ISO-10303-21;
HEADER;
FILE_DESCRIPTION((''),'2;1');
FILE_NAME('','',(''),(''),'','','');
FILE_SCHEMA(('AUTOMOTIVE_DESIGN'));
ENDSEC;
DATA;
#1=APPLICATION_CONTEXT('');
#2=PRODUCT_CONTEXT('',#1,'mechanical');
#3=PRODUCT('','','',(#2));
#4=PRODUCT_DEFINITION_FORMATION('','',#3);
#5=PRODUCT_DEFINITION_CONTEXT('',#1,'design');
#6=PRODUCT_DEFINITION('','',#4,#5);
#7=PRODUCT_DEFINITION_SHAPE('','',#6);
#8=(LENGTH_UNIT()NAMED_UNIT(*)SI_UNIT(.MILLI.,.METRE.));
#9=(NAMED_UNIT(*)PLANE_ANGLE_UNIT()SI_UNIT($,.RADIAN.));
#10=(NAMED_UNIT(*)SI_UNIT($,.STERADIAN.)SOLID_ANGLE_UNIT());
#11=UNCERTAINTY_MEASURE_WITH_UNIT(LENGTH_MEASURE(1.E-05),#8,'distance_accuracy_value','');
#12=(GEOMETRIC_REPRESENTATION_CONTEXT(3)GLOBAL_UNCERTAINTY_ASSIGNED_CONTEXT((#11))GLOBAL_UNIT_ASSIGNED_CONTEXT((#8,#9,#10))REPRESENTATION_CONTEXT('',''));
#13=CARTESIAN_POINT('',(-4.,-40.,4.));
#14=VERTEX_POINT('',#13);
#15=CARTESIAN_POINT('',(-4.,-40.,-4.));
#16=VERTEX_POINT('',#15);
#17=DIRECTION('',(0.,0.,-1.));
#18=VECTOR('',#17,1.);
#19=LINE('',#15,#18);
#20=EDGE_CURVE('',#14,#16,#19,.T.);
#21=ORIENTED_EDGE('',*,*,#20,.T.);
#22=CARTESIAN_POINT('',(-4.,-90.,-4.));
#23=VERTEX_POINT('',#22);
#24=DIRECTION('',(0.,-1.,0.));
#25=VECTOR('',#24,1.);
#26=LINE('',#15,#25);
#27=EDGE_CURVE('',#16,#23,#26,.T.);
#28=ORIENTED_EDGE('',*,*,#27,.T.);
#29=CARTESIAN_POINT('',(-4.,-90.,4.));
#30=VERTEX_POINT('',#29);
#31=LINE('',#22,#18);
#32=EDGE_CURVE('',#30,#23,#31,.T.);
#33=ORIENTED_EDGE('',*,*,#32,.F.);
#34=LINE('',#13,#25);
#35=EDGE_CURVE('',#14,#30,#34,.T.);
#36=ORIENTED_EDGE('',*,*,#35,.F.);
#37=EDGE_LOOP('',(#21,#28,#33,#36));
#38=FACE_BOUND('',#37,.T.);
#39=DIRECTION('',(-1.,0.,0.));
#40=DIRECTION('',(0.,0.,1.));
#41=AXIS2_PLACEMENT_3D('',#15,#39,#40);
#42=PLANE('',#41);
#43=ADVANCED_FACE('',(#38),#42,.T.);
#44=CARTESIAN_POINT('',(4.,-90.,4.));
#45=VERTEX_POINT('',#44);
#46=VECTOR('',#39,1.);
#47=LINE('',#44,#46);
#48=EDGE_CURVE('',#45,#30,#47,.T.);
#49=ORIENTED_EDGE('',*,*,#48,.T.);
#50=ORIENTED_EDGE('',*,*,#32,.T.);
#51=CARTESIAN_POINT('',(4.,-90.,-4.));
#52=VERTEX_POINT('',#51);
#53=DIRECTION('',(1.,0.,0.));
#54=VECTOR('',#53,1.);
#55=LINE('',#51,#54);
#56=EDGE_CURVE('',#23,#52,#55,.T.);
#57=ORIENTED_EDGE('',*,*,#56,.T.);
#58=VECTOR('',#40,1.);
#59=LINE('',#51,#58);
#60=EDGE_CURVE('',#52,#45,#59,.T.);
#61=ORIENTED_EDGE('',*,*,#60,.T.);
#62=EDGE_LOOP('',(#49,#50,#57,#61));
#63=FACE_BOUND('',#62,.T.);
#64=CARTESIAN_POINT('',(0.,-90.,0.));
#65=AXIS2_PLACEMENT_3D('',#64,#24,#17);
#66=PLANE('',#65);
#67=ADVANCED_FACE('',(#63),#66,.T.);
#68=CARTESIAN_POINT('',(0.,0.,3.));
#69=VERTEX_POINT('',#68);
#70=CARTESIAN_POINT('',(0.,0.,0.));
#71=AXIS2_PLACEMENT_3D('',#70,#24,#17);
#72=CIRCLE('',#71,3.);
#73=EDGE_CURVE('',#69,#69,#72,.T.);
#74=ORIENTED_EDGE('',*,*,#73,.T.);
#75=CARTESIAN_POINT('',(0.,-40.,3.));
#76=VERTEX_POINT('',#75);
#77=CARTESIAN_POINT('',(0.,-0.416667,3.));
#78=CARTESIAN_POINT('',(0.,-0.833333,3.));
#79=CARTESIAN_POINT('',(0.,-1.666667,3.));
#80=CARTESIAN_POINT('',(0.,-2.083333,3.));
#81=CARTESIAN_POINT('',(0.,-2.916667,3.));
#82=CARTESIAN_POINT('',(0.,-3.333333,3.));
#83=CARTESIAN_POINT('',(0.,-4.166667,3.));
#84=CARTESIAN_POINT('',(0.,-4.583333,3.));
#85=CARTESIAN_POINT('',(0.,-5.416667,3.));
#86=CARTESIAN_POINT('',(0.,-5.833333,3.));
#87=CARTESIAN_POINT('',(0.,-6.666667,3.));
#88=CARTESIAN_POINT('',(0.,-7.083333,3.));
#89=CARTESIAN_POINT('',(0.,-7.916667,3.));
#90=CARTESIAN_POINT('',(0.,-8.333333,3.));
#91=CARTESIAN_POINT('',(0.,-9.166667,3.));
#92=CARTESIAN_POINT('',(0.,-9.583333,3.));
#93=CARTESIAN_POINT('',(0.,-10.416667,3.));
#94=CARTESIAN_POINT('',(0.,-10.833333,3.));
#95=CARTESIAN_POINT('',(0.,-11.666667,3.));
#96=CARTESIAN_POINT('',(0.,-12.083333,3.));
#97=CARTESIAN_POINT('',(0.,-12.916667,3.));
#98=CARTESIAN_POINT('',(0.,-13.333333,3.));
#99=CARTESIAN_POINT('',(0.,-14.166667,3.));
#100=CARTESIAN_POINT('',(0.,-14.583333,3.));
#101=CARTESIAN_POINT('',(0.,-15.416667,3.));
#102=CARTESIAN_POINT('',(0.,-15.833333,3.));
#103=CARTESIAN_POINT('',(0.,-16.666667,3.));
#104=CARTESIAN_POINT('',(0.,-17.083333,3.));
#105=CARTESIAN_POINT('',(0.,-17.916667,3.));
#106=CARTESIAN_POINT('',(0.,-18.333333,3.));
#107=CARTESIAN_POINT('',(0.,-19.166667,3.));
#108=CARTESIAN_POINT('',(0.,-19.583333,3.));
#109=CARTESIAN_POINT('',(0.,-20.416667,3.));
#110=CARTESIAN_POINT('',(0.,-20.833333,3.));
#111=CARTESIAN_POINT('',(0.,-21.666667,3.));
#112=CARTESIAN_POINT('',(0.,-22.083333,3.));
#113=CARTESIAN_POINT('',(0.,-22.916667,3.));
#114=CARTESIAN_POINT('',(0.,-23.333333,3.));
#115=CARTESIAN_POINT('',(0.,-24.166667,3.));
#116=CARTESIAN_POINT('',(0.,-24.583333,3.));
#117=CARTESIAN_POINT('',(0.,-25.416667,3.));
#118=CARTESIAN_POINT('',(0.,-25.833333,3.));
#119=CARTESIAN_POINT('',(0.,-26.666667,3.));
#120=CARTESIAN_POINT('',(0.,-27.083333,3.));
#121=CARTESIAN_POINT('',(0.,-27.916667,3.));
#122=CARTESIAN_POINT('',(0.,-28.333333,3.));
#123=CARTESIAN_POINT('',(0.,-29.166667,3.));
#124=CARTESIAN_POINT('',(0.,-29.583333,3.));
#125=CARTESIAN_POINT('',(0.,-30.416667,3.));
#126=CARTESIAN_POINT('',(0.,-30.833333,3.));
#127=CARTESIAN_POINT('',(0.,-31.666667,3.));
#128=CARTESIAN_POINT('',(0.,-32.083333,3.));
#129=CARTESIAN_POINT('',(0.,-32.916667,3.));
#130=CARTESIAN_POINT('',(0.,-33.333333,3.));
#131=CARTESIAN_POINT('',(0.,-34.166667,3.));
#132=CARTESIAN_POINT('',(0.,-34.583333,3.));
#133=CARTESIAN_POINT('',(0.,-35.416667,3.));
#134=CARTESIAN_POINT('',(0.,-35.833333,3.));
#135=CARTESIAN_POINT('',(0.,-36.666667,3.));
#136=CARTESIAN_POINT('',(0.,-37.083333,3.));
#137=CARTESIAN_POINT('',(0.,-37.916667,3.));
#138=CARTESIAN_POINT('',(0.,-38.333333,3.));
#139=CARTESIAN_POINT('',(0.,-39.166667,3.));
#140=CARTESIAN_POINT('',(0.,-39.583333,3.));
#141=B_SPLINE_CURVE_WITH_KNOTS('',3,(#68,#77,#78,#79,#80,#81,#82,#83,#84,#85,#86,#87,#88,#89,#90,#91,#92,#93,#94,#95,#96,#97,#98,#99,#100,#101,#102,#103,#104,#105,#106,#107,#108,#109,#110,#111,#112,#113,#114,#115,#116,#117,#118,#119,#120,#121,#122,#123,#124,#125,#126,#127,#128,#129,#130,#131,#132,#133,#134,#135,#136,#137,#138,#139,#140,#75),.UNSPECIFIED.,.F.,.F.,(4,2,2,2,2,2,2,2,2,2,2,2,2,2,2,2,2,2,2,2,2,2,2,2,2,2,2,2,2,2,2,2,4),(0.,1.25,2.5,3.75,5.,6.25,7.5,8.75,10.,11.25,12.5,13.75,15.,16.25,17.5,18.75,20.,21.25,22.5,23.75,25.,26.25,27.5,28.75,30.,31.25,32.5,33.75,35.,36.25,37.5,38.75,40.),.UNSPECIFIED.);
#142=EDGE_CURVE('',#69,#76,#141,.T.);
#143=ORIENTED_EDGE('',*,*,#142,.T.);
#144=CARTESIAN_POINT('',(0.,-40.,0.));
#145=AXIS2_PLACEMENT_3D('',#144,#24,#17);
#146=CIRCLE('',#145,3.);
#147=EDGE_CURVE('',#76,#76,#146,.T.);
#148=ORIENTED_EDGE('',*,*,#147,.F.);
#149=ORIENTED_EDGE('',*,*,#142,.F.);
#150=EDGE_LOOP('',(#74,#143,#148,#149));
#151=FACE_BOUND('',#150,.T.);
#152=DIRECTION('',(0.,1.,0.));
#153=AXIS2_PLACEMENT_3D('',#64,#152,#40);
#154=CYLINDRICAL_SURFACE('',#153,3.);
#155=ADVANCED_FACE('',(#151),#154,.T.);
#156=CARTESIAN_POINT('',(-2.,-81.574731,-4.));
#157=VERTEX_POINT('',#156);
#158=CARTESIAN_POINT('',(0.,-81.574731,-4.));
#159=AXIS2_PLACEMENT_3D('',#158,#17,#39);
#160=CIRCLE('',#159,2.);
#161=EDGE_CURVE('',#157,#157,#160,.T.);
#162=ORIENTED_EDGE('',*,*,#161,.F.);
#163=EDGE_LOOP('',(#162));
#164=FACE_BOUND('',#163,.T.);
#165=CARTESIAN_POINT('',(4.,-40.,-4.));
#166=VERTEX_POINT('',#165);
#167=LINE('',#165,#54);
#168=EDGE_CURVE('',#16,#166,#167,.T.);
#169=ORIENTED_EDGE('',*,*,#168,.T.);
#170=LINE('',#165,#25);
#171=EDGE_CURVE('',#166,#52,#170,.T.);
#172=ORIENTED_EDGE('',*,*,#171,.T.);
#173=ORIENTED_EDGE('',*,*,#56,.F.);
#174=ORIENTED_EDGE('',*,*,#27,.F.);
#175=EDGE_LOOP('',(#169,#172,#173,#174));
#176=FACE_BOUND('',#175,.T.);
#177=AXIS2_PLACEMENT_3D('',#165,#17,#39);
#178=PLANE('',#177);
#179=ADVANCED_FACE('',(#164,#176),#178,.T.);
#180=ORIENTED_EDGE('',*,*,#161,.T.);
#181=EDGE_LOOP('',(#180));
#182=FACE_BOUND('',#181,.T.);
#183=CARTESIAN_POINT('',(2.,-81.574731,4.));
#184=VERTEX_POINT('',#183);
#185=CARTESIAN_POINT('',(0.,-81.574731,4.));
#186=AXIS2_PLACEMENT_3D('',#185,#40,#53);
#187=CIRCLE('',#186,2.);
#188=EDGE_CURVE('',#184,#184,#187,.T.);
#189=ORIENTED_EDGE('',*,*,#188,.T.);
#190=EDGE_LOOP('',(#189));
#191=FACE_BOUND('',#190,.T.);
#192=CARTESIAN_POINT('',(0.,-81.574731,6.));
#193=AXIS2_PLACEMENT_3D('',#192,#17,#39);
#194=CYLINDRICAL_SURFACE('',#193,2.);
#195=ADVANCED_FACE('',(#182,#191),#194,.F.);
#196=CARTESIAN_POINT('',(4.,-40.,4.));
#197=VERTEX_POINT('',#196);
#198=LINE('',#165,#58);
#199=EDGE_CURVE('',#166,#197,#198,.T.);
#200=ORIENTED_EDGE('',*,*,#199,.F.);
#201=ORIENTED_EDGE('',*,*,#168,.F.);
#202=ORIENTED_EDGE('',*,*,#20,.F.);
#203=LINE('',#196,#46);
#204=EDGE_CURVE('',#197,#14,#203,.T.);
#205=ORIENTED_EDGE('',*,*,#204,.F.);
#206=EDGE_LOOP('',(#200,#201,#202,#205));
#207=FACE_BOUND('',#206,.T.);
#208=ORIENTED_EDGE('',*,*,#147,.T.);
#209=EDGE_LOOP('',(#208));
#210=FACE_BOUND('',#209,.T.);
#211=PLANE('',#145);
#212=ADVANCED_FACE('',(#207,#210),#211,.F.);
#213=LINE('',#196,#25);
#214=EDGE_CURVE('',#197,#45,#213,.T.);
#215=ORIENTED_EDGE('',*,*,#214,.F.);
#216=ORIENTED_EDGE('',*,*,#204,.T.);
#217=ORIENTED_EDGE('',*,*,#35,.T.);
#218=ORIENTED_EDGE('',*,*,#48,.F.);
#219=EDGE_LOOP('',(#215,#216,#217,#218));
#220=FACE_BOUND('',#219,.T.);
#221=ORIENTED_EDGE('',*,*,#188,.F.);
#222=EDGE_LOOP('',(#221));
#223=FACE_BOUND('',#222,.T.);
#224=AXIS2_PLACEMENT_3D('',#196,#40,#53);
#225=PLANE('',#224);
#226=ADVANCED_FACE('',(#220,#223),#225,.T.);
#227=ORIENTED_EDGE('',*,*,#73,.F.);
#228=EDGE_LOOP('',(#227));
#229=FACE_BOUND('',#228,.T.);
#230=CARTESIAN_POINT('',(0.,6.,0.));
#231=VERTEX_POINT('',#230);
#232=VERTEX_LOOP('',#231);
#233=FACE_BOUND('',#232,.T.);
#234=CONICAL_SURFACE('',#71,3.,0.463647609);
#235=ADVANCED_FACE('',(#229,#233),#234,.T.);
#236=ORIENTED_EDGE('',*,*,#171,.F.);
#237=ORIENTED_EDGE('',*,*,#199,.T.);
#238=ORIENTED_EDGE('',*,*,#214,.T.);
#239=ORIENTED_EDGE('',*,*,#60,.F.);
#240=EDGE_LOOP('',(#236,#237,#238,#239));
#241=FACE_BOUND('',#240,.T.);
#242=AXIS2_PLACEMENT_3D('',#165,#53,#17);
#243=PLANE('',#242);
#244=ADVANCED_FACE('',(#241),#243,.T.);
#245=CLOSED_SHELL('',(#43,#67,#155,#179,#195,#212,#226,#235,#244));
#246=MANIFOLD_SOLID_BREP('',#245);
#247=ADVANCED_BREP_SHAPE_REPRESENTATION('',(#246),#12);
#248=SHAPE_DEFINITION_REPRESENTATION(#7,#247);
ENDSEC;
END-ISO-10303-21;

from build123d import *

# Parameters (mm, degrees)
ESQUISSE2_R             = 3
BOSS_EXTRU_1_DEPTH      = 90
ESQUISSE3_W             = 8
ESQUISSE3_H             = 8
BOSS_EXTRU_2_DEPTH      = 50
ESQUISSE8_R             = 2
ENL_V_MAT_EXTRU_4_DEPTH = 10


with BuildPart() as part:
    # Esquisse1 → Révolution1 (revolve)
    with BuildSketch(Plane.XY, mode=Mode.PRIVATE) as r_volution1_sk:
        Polygon((0, 0), (3, 0), (0, 6), align=None)
    revolve(r_volution1_sk.sketch.rotate(Axis((0, 0, 0), (0, 1, 0)), 90), axis=Axis((0, 0, 0), (0, 1, 0)))

    # Esquisse2 → Boss.-Extru.1 (add)
    with BuildSketch(Plane.XZ):
        with Locations(Location((0, 0, 0), (0, 0, 90))):
            Circle(ESQUISSE2_R)
    extrude(amount=BOSS_EXTRU_1_DEPTH)

    # Esquisse3 → Boss.-Extru.2 (add)
    with BuildSketch(Plane.XZ.offset(90)):
        Rectangle(ESQUISSE3_W, ESQUISSE3_H)
    extrude(amount=-BOSS_EXTRU_2_DEPTH)

    # Esquisse8 → Enlèv. mat.-Extru.4 (cut)
    with BuildSketch(Plane(origin=(0, 0, -4), x_dir=(-1, 0, 0), z_dir=(0, 0, -1))):
        with Locations((0, -81.574730925)):
            Circle(ESQUISSE8_R)
    extrude(amount=-ENL_V_MAT_EXTRU_4_DEPTH, mode=Mode.SUBTRACT)


solid = part.part
